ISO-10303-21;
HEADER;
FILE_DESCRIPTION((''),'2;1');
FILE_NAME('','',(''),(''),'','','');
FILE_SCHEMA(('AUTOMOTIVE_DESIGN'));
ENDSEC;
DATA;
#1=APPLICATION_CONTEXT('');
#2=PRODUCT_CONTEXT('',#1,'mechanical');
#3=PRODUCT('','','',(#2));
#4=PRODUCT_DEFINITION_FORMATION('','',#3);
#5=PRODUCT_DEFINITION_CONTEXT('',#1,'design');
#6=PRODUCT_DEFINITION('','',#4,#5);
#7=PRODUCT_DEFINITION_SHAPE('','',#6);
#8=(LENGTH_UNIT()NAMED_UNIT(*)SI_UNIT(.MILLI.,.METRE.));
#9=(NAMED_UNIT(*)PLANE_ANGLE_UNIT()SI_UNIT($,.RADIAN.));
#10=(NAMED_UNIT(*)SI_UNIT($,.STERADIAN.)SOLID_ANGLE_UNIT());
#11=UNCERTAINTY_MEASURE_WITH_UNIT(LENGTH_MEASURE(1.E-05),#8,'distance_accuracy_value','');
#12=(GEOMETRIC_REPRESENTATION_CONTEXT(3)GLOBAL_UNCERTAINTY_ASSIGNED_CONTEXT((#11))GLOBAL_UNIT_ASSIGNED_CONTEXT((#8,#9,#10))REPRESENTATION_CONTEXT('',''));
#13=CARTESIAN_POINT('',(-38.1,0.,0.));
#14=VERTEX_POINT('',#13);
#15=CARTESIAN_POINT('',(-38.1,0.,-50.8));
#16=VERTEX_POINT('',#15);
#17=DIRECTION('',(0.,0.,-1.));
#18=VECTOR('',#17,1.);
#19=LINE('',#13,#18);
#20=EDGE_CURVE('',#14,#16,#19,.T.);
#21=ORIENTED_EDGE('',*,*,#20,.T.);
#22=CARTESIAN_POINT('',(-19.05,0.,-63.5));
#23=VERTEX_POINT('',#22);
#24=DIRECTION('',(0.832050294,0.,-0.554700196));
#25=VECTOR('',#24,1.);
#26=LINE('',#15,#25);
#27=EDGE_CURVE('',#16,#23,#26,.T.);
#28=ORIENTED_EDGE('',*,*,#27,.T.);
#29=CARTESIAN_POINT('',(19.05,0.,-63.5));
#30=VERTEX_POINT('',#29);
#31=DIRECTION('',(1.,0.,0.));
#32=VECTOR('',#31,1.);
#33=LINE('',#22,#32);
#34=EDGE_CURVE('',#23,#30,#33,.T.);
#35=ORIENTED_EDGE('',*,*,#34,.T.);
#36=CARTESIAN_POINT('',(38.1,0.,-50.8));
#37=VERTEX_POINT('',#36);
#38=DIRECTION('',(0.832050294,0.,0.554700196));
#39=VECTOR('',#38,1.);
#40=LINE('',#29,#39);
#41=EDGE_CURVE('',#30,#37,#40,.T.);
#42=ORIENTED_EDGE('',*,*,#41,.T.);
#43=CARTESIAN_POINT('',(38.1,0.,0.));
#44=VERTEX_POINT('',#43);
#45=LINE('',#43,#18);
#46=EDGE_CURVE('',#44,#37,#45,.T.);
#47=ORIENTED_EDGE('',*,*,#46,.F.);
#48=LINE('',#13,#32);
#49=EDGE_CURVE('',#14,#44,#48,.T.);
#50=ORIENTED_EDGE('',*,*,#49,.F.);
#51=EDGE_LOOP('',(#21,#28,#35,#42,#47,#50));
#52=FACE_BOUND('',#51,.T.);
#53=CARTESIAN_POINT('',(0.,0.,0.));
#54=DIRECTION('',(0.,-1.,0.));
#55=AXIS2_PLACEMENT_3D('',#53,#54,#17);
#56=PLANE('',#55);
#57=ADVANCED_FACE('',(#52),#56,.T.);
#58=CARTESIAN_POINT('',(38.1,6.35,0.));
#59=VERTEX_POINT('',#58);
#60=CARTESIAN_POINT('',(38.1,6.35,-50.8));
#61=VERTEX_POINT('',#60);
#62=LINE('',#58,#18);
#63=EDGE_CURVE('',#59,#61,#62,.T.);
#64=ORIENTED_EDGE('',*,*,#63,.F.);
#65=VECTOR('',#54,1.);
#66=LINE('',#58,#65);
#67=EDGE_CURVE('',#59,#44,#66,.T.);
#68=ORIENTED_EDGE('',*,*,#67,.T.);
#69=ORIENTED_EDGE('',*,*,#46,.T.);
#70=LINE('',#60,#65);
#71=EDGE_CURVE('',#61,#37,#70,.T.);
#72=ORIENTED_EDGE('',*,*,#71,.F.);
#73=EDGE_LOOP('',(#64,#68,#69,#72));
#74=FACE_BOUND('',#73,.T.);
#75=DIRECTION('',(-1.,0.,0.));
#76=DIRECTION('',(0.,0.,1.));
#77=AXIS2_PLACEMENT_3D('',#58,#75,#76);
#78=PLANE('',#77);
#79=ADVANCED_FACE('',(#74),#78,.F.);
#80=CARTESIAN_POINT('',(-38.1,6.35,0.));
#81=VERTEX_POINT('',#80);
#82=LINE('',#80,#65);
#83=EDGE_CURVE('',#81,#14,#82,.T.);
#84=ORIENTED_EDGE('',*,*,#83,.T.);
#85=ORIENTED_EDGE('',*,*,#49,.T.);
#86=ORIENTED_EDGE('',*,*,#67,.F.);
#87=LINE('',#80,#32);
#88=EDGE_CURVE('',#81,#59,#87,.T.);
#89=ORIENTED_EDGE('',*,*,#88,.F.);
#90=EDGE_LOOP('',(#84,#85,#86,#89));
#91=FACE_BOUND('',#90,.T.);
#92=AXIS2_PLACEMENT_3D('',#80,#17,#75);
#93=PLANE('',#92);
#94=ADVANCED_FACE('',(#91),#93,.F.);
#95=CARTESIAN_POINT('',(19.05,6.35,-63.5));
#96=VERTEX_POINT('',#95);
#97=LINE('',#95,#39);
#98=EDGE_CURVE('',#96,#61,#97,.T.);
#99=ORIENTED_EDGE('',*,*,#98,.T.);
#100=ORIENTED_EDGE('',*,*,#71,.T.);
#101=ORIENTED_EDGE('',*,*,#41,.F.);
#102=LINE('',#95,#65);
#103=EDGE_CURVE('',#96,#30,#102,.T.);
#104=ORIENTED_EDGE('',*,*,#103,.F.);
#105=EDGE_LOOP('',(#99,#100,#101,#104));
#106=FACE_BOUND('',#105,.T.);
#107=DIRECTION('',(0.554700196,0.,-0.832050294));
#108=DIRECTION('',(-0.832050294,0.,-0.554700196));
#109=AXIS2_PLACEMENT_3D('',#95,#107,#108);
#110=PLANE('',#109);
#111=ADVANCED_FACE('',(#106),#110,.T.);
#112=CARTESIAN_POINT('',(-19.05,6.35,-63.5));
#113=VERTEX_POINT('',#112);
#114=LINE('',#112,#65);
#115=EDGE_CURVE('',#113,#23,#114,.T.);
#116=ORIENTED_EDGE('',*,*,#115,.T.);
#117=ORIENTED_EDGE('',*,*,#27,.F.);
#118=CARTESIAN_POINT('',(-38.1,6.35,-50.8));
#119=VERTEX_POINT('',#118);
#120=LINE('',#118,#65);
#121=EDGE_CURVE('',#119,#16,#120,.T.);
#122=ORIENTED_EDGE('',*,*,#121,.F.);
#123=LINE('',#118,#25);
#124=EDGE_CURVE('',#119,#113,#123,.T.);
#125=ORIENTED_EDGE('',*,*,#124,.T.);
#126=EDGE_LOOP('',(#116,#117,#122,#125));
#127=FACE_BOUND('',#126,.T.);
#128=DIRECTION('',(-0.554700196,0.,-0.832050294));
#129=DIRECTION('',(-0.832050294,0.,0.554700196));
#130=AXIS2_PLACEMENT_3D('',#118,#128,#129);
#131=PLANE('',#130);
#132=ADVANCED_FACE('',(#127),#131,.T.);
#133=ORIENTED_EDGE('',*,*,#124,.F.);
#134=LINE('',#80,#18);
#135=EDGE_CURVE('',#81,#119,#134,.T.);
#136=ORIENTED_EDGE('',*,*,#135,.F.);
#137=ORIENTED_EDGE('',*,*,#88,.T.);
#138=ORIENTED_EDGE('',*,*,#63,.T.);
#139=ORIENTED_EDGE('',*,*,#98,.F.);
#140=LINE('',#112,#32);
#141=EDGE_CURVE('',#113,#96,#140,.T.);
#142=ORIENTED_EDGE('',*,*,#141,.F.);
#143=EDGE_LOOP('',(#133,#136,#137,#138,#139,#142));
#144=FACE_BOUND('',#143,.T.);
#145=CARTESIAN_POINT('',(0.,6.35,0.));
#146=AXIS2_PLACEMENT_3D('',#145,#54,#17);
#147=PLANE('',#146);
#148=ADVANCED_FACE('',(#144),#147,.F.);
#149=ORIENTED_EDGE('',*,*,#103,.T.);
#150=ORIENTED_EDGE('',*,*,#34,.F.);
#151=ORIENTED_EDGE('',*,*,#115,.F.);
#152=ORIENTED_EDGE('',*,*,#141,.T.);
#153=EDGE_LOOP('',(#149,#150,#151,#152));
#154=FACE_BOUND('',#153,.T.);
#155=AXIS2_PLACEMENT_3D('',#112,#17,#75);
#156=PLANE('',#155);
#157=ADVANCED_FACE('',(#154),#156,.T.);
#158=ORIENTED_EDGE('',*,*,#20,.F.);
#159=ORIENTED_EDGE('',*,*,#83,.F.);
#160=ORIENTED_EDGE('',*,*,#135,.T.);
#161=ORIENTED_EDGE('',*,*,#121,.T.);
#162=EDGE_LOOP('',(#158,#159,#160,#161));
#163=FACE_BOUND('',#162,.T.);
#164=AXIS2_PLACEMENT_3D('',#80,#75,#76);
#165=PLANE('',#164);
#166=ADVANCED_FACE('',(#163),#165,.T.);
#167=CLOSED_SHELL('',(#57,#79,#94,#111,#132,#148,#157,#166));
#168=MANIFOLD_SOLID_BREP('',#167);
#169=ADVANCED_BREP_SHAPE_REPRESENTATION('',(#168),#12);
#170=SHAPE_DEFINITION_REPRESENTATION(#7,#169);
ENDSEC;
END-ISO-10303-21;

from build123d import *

# Parameters (mm, degrees)
BOSS_EXTRUDE1_DEPTH = 6.35


with BuildPart() as part:
    # Sketch2 → Boss-Extrude1 (new body)
    with BuildSketch(Plane(origin=(0, 0, 0), x_dir=(1, 0, 0), z_dir=(0, 1, 0))):
        Polygon((-38.1, 0), (38.1, 0), (38.1, 50.8), (19.05, 63.5), (-19.05, 63.5), (-38.1, 50.8), align=None)
    extrude(amount=BOSS_EXTRUDE1_DEPTH)


solid = part.part
